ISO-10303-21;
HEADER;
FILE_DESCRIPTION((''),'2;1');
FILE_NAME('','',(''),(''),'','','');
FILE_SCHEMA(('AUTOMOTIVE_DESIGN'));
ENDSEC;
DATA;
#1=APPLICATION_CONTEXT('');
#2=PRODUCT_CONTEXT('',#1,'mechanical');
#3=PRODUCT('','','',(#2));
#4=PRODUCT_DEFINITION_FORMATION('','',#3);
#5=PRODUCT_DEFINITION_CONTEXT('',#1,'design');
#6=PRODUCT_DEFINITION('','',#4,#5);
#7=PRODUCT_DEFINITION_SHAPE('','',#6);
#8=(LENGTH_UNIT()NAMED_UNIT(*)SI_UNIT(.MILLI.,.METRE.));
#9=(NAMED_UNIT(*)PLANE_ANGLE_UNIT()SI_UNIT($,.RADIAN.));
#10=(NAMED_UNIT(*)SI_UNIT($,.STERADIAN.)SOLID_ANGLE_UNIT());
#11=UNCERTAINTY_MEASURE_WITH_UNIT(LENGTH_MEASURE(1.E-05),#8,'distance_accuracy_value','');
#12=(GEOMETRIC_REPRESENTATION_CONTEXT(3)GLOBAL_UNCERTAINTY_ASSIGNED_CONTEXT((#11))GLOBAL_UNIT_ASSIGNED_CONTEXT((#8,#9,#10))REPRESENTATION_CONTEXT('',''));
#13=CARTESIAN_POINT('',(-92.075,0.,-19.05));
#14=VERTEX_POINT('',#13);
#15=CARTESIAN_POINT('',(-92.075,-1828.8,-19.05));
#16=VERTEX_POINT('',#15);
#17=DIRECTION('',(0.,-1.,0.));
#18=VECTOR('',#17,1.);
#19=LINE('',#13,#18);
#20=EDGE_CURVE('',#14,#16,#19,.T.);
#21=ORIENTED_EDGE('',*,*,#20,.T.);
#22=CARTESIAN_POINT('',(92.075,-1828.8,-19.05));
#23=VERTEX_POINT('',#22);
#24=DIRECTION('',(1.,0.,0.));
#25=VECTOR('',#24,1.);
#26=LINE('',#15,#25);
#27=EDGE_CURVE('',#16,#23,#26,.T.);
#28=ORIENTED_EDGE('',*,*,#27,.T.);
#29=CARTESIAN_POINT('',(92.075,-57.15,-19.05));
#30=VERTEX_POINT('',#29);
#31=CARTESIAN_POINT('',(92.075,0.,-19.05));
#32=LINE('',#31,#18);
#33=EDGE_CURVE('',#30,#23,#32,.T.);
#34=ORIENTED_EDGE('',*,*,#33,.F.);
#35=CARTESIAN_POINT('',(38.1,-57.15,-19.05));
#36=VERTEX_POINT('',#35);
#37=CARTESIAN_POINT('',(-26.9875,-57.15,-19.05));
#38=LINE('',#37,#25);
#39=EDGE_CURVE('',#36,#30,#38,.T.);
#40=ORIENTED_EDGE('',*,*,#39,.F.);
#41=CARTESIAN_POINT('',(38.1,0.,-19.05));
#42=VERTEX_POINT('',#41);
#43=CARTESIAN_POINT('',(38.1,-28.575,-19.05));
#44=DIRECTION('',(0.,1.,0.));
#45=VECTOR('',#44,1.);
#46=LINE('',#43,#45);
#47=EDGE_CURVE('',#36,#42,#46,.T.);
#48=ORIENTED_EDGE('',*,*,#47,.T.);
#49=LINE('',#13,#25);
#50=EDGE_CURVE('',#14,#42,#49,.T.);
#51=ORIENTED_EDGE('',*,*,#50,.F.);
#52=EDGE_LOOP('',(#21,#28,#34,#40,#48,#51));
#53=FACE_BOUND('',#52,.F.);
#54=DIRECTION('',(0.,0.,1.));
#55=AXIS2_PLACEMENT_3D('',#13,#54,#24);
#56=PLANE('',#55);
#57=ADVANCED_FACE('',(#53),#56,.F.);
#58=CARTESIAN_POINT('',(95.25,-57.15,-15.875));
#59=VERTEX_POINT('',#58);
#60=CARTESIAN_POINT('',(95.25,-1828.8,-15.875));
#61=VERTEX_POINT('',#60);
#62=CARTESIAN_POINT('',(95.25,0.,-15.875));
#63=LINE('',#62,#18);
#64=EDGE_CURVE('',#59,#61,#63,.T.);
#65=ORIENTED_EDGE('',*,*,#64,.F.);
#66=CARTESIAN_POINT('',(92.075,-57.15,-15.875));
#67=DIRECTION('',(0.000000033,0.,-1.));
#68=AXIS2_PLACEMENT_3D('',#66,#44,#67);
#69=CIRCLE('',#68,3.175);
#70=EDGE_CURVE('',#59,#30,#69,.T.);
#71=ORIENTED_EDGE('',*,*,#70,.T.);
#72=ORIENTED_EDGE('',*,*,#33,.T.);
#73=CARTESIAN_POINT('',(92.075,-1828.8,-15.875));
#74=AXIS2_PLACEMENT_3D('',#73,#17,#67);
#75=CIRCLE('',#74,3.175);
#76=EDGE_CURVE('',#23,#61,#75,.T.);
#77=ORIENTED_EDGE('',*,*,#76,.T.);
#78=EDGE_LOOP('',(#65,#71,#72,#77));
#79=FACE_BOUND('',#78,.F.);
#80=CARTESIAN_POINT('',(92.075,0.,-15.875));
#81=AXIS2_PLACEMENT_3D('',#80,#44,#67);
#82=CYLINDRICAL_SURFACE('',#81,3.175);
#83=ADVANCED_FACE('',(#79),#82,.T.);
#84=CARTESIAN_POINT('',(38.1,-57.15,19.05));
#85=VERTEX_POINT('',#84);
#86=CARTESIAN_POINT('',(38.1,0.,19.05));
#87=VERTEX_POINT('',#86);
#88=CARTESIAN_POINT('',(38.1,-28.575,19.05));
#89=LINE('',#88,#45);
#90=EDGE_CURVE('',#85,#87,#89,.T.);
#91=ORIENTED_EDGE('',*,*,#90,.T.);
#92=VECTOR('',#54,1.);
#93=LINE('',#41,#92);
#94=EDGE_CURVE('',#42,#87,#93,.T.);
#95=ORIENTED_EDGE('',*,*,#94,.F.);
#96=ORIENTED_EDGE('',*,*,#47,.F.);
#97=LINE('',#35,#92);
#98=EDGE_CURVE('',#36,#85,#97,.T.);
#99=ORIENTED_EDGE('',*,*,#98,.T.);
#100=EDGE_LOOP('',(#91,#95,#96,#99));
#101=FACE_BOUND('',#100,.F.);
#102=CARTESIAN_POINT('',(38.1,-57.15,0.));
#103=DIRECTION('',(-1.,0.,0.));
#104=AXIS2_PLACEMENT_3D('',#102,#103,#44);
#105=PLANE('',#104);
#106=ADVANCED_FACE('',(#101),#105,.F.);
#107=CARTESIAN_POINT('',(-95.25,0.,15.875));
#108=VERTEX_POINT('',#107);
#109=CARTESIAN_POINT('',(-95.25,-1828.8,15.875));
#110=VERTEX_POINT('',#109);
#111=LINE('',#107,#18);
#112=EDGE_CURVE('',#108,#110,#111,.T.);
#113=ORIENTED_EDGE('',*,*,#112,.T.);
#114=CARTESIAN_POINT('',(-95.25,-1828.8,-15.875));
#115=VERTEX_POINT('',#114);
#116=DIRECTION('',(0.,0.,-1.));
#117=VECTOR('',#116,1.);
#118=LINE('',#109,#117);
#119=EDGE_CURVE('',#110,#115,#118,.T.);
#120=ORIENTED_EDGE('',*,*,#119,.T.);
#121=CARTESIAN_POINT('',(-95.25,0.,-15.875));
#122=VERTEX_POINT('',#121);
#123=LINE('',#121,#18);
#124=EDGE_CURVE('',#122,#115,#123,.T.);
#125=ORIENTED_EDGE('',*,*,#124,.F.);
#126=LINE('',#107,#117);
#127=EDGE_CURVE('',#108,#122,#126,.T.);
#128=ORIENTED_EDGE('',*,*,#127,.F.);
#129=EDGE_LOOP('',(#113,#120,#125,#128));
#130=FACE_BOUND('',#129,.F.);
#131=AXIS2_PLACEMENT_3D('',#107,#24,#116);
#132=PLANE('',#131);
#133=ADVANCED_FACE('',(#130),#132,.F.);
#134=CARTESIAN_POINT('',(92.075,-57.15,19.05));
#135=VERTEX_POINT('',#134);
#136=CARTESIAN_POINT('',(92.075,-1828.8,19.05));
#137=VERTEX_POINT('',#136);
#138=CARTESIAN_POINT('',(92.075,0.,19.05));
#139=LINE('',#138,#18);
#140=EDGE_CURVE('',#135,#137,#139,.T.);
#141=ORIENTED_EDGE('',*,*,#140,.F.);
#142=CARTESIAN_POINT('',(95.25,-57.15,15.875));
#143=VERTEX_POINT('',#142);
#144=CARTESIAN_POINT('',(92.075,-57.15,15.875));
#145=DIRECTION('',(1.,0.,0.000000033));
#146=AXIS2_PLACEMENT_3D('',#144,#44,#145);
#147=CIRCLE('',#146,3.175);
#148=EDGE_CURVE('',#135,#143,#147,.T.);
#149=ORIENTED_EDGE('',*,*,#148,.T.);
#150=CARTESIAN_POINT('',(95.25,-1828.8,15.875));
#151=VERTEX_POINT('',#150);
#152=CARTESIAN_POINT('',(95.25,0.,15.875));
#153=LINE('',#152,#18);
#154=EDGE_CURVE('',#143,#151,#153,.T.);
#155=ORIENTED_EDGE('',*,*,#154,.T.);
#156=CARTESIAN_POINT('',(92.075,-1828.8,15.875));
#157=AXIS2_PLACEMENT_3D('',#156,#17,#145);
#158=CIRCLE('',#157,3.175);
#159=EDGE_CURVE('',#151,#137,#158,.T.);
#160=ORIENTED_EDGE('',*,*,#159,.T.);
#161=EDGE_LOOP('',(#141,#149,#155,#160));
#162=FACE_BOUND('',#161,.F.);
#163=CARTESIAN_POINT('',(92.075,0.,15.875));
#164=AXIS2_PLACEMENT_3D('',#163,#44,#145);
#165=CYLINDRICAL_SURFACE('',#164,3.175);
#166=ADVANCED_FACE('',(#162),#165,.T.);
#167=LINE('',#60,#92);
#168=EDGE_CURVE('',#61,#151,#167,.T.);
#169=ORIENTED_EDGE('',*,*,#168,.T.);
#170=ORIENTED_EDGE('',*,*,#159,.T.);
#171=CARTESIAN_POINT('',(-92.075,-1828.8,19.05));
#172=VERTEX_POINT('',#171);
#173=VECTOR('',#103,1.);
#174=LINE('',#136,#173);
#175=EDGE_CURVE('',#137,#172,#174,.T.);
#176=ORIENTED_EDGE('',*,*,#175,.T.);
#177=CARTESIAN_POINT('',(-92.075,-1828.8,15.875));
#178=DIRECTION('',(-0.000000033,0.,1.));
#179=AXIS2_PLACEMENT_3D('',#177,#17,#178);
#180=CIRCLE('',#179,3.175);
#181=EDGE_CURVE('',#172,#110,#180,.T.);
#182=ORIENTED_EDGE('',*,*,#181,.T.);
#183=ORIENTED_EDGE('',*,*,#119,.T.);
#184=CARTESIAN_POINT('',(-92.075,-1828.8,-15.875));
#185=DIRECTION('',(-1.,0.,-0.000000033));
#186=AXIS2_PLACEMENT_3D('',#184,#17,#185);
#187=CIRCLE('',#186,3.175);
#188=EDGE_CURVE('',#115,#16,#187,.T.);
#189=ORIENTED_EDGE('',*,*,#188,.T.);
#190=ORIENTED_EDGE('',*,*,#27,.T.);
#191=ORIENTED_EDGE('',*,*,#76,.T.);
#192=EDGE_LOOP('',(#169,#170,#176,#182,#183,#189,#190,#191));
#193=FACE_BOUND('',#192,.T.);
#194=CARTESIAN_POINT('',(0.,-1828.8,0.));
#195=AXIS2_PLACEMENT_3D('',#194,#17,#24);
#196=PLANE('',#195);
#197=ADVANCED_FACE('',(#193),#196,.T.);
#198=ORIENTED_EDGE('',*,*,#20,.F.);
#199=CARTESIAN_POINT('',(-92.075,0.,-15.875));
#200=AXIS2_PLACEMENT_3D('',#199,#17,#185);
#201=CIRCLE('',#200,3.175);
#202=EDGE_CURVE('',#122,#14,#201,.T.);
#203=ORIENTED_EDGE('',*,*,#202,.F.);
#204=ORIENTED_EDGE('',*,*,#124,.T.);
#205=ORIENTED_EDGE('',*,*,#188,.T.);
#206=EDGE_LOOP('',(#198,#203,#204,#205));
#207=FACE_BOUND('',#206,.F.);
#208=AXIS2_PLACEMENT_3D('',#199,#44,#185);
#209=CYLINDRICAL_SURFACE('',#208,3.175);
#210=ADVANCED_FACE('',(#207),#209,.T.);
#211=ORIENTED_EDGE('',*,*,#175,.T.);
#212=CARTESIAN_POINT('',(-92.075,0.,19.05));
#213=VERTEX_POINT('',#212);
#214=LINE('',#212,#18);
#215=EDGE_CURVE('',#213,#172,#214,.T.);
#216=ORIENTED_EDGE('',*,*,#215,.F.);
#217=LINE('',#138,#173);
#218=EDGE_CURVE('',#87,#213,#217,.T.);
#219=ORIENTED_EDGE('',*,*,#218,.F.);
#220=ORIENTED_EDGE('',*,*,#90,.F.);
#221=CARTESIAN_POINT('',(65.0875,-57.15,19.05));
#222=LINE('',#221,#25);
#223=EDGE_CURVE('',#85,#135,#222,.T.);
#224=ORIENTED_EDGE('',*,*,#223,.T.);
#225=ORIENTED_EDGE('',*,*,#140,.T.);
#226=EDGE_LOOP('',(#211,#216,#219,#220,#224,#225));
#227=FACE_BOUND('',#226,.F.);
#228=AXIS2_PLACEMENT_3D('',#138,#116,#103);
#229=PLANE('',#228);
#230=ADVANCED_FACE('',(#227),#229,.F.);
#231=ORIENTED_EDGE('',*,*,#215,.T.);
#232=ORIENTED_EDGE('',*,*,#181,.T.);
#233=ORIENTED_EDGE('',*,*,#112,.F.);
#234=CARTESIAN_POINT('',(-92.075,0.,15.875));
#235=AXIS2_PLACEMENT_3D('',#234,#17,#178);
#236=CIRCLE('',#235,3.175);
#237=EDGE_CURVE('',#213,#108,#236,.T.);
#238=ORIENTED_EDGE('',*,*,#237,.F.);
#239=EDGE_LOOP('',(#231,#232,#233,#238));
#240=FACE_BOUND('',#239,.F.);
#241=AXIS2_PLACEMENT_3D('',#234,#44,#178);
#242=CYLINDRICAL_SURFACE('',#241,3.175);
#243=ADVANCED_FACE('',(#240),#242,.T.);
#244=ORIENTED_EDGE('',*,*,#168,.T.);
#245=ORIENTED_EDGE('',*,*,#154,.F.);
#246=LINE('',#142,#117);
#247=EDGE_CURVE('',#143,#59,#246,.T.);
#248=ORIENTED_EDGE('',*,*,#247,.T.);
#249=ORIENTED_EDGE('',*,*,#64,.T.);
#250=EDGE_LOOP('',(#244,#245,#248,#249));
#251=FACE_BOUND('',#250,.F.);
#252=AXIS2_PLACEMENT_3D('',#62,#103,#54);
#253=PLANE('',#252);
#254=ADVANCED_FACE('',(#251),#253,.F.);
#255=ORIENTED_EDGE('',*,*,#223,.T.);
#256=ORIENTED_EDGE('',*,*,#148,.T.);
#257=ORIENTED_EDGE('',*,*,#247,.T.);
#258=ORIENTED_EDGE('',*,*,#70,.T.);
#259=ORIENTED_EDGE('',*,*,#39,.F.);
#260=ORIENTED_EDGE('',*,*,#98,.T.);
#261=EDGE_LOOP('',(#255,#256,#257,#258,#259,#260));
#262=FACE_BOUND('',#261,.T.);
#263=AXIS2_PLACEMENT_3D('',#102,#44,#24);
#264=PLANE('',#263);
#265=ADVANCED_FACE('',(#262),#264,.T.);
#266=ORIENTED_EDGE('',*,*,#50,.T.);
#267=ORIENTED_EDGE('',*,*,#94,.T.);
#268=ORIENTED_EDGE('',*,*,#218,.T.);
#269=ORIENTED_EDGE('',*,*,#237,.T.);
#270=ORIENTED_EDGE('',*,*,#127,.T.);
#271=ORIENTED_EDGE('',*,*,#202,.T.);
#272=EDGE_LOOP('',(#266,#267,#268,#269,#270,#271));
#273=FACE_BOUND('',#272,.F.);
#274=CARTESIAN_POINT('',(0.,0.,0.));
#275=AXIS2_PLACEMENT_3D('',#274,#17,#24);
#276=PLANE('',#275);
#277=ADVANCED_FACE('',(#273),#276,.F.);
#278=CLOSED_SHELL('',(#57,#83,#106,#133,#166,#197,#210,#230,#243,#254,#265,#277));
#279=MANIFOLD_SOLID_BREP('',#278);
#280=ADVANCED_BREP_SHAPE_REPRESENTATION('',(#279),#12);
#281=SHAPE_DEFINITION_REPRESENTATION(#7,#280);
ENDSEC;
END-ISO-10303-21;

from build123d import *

# Parameters (mm, degrees)
F1_DEPTH      = 1828.8
F2_W          = 57.15
F2_H          = 57.15
F3_DEPTH      = 19.051
F3_DEPTH_BACK = 19.051


with BuildPart() as f1:
    # F0 (on Front) → F1 (new body)
    with BuildSketch(Plane.XZ):
        with BuildLine():
            ThreePointArc((95.25, 15.875), (94.320064, 18.120064), (92.075, 19.05))
            Line((92.075, 19.05), (-92.075, 19.05))
            ThreePointArc((-92.075, 19.05), (-94.320064, 18.120064), (-95.25, 15.875))
            Line((-95.25, 15.875), (-95.25, -15.875))
            ThreePointArc((-95.25, -15.875), (-94.320064, -18.120064), (-92.075, -19.05))
            Line((-92.075, -19.05), (92.075, -19.05))
            ThreePointArc((92.075, -19.05), (94.320064, -18.120064), (95.25, -15.875))
            Line((95.25, -15.875), (95.25, 15.875))
        make_face()
    extrude(amount=F1_DEPTH)

    # F2 (on Top) → F3 (cut, two sides)
    with BuildSketch(Plane.XY) as f3_sk:
        with Locations((66.675, -28.575)):
            Rectangle(F2_W, F2_H)
    extrude(amount=F3_DEPTH, mode=Mode.SUBTRACT)
    extrude(f3_sk.sketch, amount=-F3_DEPTH_BACK, mode=Mode.SUBTRACT)


solid = f1.part
